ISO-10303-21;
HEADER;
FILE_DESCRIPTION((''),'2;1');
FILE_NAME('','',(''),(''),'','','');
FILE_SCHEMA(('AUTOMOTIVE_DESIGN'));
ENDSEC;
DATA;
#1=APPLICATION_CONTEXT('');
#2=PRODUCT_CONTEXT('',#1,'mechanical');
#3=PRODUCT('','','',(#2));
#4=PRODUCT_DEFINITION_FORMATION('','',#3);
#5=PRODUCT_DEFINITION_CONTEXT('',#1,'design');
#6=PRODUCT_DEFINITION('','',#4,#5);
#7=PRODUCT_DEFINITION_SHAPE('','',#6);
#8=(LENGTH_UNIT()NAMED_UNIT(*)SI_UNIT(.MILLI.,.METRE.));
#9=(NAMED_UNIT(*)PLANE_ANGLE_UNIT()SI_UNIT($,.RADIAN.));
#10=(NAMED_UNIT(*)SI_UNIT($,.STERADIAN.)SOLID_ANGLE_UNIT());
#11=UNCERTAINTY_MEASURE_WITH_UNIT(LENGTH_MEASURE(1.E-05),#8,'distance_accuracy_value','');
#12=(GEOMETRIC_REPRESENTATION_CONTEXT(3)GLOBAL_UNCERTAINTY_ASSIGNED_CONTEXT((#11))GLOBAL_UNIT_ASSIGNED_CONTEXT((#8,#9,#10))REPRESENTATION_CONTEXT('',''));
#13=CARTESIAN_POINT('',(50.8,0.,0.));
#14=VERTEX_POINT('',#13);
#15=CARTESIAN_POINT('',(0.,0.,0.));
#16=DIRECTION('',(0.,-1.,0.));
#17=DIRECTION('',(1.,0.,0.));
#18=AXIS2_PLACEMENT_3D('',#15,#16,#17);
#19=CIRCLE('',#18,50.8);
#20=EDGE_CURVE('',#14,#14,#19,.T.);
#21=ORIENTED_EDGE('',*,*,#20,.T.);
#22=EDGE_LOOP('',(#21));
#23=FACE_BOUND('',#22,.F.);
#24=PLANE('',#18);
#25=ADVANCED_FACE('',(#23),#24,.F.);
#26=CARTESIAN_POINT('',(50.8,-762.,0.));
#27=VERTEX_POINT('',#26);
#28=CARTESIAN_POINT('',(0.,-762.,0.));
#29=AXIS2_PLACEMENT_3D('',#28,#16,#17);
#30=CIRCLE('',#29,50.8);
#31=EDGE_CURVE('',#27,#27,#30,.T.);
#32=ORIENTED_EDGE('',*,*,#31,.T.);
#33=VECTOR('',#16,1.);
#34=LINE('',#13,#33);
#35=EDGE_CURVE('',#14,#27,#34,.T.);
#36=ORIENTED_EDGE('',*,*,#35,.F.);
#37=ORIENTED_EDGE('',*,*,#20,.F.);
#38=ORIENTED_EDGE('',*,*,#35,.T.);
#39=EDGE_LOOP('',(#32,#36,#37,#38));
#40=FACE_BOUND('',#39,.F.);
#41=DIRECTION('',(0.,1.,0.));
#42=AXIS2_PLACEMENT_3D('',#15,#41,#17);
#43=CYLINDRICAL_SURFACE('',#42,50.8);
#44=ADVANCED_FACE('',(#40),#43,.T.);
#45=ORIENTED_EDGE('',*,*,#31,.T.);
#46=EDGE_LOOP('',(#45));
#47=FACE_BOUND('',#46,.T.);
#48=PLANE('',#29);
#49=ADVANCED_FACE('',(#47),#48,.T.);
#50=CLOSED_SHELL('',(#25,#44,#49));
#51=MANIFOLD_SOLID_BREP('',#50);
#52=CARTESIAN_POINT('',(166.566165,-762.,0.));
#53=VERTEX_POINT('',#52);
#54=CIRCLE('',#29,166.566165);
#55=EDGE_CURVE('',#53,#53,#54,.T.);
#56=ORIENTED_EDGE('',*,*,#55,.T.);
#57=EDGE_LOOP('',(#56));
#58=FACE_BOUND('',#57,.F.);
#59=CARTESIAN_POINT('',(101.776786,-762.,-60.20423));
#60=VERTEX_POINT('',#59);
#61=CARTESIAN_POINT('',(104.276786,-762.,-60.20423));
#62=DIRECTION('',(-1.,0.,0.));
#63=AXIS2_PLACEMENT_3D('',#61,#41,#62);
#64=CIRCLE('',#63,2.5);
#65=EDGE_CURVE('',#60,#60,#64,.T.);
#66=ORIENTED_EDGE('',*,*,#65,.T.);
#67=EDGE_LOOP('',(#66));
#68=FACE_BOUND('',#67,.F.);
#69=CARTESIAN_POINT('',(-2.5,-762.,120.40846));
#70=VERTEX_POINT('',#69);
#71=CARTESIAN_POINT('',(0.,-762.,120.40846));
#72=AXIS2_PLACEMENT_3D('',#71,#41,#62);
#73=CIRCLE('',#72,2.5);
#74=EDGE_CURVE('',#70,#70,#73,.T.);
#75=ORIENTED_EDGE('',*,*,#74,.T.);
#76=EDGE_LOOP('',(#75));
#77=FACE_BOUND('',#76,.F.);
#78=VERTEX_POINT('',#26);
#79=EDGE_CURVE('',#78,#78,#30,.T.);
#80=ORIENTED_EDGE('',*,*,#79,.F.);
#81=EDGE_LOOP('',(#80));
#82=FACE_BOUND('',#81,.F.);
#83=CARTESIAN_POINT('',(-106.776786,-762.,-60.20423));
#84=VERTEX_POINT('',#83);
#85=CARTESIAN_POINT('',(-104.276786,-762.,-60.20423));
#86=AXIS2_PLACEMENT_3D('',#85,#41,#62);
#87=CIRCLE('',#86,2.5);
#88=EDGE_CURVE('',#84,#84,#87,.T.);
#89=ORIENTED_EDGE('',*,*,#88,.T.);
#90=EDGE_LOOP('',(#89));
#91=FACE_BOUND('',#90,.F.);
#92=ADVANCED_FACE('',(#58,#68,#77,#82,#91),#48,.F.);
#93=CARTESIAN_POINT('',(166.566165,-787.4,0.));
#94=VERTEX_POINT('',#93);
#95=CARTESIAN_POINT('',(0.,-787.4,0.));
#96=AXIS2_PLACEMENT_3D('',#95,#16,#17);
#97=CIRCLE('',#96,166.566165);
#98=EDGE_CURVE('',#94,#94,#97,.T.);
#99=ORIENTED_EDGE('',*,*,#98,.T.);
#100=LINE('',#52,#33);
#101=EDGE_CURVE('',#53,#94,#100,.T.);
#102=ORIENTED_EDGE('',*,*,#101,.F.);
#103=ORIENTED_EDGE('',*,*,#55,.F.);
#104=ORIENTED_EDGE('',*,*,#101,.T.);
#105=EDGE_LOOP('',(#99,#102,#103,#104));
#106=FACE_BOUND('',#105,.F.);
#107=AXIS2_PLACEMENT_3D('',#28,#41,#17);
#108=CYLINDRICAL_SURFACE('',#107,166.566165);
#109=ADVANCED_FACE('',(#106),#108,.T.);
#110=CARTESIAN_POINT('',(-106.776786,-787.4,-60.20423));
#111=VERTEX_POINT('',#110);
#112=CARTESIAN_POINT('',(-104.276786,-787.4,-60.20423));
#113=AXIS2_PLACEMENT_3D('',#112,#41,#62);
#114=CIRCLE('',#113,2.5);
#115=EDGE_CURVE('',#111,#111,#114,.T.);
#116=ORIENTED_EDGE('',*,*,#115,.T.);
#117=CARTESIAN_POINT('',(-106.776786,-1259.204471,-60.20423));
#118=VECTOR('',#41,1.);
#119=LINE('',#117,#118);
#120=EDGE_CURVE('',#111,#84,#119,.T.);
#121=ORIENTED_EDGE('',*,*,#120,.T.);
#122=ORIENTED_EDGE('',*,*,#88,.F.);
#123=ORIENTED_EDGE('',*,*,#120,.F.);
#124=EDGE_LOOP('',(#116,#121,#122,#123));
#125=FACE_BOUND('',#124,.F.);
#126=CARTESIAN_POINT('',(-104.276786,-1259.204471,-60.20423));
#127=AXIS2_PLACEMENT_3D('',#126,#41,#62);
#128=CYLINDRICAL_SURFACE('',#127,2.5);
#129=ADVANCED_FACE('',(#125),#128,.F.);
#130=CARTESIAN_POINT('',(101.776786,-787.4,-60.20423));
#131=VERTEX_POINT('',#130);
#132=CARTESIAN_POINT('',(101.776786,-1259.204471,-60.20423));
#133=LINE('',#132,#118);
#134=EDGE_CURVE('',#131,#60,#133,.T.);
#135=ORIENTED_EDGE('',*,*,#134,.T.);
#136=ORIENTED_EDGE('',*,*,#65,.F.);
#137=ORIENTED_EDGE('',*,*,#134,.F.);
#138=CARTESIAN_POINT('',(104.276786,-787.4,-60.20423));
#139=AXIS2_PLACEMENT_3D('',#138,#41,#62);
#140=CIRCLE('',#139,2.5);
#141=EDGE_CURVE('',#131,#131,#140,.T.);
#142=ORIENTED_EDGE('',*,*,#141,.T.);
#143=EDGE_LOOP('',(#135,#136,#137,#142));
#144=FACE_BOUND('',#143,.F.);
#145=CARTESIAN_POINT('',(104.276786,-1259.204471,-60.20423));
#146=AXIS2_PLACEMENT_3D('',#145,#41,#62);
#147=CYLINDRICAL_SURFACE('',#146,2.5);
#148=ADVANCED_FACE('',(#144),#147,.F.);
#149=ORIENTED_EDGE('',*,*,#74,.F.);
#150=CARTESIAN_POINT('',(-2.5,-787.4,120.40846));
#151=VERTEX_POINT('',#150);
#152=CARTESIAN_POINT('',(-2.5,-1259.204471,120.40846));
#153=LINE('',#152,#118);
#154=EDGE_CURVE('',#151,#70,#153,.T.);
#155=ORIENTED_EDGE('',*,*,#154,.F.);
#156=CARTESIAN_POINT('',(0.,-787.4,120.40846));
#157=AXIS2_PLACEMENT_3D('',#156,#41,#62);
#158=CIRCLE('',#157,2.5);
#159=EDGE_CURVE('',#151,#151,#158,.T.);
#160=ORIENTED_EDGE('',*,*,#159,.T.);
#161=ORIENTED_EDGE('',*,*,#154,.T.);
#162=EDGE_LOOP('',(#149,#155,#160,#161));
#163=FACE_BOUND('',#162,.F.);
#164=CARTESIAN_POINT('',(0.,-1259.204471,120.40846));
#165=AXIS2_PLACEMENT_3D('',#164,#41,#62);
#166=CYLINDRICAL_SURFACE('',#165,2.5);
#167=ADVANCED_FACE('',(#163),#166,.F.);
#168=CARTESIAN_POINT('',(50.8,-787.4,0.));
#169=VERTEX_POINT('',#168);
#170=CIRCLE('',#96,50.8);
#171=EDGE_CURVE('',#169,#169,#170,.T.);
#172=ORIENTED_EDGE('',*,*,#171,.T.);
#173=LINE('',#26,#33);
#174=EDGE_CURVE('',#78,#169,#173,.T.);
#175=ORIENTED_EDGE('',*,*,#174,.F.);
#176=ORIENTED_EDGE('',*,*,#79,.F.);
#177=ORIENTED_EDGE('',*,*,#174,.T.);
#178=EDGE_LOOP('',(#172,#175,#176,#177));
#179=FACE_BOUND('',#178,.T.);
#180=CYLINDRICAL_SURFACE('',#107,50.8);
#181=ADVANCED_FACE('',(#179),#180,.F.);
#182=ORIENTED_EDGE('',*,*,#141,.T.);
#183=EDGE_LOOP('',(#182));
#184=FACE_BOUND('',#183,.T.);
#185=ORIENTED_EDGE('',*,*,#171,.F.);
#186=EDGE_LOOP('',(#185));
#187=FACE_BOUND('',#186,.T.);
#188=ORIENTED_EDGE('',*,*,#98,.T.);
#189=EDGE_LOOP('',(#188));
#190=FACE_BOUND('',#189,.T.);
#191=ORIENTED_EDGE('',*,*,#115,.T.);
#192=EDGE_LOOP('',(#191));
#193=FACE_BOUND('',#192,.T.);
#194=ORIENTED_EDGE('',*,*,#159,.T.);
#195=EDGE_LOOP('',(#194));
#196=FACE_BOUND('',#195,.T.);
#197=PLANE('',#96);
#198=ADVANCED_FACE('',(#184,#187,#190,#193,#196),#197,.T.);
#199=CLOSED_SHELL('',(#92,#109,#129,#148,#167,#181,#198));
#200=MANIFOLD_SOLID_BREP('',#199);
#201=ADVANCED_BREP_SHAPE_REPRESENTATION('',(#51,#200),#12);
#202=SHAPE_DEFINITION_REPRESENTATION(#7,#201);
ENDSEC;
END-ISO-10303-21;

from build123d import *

# Parameters (mm, degrees)
F0_R     = 50.8
F1_DEPTH = 762
F2_R     = 166.56616515
F2_R_2   = 50.8
F3_DEPTH = 25.4
F5_D     = 5


with BuildPart() as f1:
    # F0 (on Front) → F1 (new body)
    with BuildSketch(Plane.XZ):
        Circle(F0_R)
    extrude(amount=F1_DEPTH)


with BuildPart() as f3:
    # F2 (on face) → F3 (new body)
    with BuildSketch(Plane.XZ.offset(762)):
        Circle(F2_R)
        Circle(F2_R_2, mode=Mode.SUBTRACT)
    extrude(amount=F3_DEPTH)

    # F5 (through all)
    with Locations(Plane.XZ.offset(787.4)):
        with Locations((0, 120.4084604979), (104.2767856217, -60.2042302489), (-104.2767856217, -60.2042302489)):
            Hole(F5_D / 2)


solid = Compound([f1.part, f3.part])
